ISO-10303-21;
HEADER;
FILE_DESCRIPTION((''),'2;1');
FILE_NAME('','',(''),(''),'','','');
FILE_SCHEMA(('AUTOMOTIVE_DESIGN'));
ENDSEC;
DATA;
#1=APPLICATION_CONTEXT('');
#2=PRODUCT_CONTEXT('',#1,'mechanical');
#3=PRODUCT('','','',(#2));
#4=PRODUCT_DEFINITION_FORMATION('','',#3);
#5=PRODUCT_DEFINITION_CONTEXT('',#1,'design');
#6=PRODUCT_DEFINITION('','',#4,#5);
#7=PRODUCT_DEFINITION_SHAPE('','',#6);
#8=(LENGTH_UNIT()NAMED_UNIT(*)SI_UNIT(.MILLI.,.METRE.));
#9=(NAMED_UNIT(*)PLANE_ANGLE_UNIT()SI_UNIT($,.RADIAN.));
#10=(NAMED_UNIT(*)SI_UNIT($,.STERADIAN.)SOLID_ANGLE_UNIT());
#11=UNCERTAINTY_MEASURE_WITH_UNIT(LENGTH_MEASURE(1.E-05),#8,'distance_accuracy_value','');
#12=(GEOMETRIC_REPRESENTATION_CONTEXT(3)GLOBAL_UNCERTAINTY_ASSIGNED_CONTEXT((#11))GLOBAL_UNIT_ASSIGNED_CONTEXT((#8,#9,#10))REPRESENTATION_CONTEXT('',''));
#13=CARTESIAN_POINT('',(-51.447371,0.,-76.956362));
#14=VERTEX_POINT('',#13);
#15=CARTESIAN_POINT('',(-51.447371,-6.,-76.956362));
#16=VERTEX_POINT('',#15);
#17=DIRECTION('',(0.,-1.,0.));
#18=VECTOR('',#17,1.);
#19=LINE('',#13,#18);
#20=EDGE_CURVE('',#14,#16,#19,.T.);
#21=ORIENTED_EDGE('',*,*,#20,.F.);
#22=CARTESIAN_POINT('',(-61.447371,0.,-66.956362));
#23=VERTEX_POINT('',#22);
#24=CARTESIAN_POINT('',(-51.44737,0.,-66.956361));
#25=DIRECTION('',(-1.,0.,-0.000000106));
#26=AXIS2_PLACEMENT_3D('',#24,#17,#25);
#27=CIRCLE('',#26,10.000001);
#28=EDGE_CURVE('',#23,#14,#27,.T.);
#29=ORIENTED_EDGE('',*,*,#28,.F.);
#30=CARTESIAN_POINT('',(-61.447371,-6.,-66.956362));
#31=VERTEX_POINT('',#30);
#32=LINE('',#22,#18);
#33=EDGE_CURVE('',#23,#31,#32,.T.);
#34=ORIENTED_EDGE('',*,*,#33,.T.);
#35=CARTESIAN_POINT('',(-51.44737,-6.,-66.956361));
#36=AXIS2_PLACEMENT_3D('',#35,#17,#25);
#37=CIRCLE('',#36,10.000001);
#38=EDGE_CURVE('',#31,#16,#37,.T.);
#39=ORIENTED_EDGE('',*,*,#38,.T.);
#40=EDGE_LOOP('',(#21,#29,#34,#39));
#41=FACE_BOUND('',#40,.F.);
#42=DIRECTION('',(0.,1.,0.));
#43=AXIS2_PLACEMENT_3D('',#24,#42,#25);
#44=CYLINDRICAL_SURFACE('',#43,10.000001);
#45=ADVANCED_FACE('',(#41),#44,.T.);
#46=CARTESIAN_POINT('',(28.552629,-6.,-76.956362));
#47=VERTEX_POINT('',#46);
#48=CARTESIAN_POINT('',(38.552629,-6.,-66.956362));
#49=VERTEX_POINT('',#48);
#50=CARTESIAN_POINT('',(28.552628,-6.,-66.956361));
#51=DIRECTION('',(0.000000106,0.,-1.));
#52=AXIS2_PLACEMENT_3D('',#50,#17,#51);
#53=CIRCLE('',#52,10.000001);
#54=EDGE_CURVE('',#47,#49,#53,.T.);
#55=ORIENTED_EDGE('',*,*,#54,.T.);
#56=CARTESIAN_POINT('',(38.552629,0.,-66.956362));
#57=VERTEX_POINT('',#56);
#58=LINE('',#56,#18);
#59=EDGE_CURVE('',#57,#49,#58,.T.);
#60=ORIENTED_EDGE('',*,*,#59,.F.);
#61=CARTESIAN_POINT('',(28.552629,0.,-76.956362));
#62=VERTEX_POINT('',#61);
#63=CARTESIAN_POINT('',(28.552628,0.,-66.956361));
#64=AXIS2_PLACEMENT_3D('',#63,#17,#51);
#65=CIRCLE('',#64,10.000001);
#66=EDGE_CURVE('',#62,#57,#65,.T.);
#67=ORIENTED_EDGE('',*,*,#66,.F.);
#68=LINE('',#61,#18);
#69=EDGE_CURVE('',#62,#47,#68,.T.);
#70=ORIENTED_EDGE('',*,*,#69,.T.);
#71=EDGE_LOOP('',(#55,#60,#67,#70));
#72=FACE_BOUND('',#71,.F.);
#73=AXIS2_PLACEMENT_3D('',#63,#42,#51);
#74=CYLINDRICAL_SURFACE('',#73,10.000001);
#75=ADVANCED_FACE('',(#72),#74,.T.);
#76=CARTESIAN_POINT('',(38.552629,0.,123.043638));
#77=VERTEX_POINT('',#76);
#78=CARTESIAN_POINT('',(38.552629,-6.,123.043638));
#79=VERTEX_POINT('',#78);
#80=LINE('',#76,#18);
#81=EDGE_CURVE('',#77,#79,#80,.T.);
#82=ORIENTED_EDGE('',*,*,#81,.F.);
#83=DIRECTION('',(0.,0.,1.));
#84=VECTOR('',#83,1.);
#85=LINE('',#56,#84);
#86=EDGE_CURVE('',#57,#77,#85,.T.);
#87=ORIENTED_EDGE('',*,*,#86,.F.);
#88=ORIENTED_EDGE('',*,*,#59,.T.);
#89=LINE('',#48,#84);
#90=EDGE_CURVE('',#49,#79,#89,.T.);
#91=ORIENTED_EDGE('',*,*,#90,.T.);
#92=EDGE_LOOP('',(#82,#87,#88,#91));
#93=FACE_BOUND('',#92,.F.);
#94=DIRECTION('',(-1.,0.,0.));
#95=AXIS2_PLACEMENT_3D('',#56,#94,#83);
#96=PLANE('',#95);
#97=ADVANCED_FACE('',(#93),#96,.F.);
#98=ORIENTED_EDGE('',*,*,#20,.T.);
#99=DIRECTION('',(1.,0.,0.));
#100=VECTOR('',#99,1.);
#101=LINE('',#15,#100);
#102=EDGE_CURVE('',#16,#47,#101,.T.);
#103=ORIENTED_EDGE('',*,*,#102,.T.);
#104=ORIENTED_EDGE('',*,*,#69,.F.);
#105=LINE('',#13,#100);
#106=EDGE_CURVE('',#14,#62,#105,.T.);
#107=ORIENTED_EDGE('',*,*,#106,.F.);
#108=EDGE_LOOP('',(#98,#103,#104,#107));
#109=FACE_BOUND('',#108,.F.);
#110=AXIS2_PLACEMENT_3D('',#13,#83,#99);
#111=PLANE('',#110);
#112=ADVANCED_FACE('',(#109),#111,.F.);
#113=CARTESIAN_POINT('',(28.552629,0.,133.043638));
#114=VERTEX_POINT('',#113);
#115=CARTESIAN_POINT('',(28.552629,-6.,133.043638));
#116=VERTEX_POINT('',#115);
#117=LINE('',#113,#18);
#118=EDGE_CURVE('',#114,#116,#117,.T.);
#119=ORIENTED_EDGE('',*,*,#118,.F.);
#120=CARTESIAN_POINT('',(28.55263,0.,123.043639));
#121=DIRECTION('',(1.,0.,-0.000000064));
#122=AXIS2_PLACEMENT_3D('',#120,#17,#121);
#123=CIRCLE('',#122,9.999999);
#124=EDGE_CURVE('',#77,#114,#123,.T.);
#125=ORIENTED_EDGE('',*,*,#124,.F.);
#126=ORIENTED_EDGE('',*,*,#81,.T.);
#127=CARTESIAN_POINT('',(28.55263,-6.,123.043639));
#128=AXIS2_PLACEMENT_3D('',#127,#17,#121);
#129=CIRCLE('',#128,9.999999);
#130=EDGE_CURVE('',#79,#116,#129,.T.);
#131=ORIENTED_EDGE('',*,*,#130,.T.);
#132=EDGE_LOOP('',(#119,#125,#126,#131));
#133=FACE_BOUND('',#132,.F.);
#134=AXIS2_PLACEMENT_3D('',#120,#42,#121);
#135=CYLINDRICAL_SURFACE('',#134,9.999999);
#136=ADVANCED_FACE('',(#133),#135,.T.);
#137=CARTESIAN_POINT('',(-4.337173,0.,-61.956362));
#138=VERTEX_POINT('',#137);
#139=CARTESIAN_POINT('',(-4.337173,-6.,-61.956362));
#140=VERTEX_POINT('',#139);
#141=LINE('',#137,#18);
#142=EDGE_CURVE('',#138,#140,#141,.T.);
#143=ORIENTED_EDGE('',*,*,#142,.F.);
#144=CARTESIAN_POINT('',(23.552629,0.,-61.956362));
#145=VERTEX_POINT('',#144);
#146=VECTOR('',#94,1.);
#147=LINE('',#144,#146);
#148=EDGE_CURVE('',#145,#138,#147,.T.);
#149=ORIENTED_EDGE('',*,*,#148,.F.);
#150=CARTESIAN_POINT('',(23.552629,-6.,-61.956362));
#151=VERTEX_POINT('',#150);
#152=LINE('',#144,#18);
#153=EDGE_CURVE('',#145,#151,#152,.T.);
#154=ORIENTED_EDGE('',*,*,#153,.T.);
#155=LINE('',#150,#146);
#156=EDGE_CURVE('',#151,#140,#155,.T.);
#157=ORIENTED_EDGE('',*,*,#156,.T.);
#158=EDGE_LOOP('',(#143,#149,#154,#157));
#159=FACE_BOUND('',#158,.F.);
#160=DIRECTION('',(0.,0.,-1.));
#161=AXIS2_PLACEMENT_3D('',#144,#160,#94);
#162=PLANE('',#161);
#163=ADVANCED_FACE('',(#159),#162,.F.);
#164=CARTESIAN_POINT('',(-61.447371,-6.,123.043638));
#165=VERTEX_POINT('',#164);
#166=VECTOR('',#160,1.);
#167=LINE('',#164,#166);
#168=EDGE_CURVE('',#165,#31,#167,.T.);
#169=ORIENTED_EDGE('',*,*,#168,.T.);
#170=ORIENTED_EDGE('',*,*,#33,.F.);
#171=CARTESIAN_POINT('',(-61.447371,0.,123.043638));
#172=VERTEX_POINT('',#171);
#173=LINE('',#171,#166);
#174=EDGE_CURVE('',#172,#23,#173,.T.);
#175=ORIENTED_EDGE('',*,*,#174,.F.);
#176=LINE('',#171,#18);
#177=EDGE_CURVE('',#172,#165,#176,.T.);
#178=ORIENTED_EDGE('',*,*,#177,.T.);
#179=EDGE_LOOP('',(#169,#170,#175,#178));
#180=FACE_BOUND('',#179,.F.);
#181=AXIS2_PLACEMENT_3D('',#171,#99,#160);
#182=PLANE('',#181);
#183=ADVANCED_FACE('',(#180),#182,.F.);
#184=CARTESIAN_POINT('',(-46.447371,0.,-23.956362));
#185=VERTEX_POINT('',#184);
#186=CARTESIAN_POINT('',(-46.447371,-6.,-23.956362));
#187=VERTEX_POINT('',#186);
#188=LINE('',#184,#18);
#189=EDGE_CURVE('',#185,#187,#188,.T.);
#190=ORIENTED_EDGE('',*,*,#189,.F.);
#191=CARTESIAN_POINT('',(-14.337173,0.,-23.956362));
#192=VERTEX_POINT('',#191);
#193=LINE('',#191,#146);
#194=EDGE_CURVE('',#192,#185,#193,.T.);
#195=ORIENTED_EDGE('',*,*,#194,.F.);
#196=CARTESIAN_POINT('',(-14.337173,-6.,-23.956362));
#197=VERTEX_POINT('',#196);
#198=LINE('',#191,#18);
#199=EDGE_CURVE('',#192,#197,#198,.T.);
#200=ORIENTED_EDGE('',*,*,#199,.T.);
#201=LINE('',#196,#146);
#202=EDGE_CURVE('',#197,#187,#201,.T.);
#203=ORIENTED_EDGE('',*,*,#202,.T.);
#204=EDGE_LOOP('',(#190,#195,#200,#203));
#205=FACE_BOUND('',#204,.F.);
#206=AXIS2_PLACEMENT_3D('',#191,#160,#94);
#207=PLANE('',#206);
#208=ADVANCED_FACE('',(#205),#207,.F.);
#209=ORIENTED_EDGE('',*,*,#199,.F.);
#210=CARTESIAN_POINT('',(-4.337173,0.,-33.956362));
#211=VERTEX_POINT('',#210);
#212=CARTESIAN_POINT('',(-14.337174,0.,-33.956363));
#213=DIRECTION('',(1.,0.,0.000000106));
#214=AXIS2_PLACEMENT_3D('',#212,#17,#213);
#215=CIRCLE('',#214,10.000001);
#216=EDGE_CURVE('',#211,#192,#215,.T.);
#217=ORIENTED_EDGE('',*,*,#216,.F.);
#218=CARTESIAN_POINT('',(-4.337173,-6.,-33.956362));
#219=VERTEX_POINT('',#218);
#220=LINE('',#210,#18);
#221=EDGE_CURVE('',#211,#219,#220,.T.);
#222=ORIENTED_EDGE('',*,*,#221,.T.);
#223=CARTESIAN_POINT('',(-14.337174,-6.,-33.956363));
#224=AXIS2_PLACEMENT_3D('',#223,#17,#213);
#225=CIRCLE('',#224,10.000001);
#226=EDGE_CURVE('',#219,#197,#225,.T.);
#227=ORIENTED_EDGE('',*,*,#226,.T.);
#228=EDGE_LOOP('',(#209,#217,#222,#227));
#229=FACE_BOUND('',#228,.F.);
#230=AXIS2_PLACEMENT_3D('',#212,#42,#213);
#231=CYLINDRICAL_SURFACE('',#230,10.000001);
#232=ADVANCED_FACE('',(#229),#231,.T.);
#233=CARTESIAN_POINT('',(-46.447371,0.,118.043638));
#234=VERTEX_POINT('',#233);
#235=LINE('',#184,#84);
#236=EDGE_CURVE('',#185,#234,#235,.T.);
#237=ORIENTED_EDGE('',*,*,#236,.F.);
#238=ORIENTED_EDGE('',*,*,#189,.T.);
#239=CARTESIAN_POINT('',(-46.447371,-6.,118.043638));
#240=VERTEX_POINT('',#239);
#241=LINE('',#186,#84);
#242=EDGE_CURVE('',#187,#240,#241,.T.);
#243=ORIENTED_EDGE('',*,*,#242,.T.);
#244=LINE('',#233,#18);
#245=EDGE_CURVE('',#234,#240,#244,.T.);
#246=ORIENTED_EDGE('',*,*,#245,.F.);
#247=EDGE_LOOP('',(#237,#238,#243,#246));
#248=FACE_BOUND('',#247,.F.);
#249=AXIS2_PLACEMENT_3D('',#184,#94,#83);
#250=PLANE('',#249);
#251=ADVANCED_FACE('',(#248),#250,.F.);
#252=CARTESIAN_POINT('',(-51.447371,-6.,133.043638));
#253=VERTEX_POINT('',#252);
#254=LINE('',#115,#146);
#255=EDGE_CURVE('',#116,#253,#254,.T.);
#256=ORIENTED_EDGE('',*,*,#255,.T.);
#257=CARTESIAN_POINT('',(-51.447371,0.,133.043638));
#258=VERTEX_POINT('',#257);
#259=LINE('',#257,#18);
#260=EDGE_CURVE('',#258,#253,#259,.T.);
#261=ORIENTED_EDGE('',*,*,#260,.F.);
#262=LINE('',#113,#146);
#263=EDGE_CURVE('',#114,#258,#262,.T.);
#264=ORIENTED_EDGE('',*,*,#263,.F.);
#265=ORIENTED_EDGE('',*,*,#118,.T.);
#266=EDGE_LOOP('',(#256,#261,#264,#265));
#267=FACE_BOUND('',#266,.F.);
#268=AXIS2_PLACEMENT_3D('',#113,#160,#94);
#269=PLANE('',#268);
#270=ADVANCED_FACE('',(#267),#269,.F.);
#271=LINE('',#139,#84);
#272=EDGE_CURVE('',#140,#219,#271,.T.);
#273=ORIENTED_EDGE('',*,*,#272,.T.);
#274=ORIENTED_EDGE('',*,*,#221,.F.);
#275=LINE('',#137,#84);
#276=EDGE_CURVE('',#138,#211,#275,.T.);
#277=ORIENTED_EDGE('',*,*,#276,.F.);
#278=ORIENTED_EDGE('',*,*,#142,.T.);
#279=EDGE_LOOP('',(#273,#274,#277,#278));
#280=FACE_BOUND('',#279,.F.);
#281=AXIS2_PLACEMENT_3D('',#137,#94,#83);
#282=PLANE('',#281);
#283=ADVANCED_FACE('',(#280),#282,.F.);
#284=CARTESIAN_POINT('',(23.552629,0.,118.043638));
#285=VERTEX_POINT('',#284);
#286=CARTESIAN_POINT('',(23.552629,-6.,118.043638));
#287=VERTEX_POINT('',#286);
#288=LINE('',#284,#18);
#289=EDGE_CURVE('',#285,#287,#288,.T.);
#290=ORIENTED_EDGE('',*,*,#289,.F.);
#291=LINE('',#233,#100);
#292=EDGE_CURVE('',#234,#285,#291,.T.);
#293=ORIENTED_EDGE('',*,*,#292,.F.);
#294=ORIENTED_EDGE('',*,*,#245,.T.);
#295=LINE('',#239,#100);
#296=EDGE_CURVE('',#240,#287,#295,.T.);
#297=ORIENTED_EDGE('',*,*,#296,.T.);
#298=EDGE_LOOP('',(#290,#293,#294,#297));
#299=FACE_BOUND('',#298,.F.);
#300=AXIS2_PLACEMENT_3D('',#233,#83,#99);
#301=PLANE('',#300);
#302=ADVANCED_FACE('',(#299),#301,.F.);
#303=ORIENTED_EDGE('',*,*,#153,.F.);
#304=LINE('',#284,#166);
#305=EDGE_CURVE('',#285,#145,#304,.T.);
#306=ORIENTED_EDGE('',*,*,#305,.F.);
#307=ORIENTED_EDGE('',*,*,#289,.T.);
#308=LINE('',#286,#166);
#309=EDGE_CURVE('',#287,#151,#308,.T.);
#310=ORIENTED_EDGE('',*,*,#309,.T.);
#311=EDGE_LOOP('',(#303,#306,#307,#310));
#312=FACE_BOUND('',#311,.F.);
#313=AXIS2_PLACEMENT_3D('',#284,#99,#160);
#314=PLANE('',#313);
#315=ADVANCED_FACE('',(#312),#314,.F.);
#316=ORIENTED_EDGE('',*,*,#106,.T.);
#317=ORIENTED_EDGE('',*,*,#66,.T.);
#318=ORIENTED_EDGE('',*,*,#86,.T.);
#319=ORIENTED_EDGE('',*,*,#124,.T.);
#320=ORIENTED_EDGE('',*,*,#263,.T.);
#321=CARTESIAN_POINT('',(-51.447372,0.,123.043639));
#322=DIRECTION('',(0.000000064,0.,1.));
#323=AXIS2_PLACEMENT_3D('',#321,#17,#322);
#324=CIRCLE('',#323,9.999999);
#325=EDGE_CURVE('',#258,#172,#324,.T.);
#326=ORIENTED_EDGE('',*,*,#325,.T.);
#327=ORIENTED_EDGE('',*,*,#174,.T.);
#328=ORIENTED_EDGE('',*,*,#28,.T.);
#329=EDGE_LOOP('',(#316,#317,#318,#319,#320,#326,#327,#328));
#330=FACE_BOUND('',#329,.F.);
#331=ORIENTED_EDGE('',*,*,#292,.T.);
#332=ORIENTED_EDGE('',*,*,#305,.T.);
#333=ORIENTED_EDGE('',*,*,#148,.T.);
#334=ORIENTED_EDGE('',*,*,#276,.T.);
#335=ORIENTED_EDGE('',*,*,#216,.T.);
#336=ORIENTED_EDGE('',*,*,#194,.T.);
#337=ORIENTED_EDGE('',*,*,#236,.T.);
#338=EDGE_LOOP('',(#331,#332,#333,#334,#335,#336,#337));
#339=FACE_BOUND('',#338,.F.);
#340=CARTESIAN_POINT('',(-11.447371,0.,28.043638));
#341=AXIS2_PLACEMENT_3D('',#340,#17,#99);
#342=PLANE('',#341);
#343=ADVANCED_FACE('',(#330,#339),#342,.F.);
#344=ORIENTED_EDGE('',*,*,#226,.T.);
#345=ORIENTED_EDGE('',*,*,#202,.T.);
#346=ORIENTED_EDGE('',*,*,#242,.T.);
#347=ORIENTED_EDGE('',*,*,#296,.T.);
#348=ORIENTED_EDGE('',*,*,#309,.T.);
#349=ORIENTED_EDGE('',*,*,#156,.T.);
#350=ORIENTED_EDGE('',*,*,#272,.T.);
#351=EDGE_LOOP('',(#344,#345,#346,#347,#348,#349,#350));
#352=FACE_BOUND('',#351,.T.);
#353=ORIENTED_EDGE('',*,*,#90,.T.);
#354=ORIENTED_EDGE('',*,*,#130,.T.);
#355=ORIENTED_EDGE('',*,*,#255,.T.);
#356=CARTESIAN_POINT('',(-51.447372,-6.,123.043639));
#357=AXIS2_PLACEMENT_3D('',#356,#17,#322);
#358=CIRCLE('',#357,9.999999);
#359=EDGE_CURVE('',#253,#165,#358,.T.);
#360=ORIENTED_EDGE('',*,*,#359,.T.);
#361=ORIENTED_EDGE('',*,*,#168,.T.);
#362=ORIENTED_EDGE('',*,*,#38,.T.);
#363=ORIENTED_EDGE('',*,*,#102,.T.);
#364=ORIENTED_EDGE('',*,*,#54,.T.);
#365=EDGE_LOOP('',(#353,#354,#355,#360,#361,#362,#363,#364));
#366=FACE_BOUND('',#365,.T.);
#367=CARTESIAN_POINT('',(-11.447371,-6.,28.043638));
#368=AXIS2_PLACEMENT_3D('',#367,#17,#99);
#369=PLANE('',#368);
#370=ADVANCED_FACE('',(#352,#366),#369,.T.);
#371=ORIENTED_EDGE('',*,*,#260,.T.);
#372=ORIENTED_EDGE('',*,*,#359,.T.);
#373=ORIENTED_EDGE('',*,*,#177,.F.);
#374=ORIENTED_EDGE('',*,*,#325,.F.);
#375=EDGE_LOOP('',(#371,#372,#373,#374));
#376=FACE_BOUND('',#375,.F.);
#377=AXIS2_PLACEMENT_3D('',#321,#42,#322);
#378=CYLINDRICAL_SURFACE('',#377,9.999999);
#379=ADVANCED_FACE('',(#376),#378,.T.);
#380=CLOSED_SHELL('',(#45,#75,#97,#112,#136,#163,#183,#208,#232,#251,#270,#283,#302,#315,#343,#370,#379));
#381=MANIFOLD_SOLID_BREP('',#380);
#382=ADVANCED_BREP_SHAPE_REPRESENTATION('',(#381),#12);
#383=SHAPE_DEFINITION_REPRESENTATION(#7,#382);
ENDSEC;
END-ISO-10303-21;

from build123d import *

# Parameters (mm, degrees)
F1_DEPTH = 6


with BuildPart() as f1:
    # F0 (on Front) → F1 (new body)
    with BuildSketch(Plane.XZ):
        with BuildLine():
            Line((28.552629, 133.043638), (-51.447371, 133.043638))
            ThreePointArc((-51.447371, 133.043638), (-58.518439, 130.114706), (-61.447371, 123.043638))
            Line((-61.447371, 123.043638), (-61.447371, -66.956362))
            ThreePointArc((-61.447371, -66.956362), (-58.518439, -74.027429), (-51.447371, -76.956362))
            Line((-51.447371, -76.956362), (28.552629, -76.956362))
            ThreePointArc((28.552629, -76.956362), (35.623697, -74.027429), (38.552629, -66.956362))
            Line((38.552629, -66.956362), (38.552629, 123.043638))
            ThreePointArc((38.552629, 123.043638), (35.623697, 130.114706), (28.552629, 133.043638))
        make_face()
        with BuildLine():
            Line((-46.447371, -23.956362), (-46.447371, 118.043638))
            Line((-46.447371, 118.043638), (23.552629, 118.043638))
            Line((23.552629, 118.043638), (23.552629, -61.956362))
            Line((23.552629, -61.956362), (-4.337173, -61.956362))
            Line((-4.337173, -61.956362), (-4.337173, -33.956362))
            ThreePointArc((-4.337173, -33.956362), (-7.266106, -26.885294), (-14.337173, -23.956362))
            Line((-14.337173, -23.956362), (-46.447371, -23.956362))
        make_face(mode=Mode.SUBTRACT)
    extrude(amount=F1_DEPTH)


solid = f1.part
